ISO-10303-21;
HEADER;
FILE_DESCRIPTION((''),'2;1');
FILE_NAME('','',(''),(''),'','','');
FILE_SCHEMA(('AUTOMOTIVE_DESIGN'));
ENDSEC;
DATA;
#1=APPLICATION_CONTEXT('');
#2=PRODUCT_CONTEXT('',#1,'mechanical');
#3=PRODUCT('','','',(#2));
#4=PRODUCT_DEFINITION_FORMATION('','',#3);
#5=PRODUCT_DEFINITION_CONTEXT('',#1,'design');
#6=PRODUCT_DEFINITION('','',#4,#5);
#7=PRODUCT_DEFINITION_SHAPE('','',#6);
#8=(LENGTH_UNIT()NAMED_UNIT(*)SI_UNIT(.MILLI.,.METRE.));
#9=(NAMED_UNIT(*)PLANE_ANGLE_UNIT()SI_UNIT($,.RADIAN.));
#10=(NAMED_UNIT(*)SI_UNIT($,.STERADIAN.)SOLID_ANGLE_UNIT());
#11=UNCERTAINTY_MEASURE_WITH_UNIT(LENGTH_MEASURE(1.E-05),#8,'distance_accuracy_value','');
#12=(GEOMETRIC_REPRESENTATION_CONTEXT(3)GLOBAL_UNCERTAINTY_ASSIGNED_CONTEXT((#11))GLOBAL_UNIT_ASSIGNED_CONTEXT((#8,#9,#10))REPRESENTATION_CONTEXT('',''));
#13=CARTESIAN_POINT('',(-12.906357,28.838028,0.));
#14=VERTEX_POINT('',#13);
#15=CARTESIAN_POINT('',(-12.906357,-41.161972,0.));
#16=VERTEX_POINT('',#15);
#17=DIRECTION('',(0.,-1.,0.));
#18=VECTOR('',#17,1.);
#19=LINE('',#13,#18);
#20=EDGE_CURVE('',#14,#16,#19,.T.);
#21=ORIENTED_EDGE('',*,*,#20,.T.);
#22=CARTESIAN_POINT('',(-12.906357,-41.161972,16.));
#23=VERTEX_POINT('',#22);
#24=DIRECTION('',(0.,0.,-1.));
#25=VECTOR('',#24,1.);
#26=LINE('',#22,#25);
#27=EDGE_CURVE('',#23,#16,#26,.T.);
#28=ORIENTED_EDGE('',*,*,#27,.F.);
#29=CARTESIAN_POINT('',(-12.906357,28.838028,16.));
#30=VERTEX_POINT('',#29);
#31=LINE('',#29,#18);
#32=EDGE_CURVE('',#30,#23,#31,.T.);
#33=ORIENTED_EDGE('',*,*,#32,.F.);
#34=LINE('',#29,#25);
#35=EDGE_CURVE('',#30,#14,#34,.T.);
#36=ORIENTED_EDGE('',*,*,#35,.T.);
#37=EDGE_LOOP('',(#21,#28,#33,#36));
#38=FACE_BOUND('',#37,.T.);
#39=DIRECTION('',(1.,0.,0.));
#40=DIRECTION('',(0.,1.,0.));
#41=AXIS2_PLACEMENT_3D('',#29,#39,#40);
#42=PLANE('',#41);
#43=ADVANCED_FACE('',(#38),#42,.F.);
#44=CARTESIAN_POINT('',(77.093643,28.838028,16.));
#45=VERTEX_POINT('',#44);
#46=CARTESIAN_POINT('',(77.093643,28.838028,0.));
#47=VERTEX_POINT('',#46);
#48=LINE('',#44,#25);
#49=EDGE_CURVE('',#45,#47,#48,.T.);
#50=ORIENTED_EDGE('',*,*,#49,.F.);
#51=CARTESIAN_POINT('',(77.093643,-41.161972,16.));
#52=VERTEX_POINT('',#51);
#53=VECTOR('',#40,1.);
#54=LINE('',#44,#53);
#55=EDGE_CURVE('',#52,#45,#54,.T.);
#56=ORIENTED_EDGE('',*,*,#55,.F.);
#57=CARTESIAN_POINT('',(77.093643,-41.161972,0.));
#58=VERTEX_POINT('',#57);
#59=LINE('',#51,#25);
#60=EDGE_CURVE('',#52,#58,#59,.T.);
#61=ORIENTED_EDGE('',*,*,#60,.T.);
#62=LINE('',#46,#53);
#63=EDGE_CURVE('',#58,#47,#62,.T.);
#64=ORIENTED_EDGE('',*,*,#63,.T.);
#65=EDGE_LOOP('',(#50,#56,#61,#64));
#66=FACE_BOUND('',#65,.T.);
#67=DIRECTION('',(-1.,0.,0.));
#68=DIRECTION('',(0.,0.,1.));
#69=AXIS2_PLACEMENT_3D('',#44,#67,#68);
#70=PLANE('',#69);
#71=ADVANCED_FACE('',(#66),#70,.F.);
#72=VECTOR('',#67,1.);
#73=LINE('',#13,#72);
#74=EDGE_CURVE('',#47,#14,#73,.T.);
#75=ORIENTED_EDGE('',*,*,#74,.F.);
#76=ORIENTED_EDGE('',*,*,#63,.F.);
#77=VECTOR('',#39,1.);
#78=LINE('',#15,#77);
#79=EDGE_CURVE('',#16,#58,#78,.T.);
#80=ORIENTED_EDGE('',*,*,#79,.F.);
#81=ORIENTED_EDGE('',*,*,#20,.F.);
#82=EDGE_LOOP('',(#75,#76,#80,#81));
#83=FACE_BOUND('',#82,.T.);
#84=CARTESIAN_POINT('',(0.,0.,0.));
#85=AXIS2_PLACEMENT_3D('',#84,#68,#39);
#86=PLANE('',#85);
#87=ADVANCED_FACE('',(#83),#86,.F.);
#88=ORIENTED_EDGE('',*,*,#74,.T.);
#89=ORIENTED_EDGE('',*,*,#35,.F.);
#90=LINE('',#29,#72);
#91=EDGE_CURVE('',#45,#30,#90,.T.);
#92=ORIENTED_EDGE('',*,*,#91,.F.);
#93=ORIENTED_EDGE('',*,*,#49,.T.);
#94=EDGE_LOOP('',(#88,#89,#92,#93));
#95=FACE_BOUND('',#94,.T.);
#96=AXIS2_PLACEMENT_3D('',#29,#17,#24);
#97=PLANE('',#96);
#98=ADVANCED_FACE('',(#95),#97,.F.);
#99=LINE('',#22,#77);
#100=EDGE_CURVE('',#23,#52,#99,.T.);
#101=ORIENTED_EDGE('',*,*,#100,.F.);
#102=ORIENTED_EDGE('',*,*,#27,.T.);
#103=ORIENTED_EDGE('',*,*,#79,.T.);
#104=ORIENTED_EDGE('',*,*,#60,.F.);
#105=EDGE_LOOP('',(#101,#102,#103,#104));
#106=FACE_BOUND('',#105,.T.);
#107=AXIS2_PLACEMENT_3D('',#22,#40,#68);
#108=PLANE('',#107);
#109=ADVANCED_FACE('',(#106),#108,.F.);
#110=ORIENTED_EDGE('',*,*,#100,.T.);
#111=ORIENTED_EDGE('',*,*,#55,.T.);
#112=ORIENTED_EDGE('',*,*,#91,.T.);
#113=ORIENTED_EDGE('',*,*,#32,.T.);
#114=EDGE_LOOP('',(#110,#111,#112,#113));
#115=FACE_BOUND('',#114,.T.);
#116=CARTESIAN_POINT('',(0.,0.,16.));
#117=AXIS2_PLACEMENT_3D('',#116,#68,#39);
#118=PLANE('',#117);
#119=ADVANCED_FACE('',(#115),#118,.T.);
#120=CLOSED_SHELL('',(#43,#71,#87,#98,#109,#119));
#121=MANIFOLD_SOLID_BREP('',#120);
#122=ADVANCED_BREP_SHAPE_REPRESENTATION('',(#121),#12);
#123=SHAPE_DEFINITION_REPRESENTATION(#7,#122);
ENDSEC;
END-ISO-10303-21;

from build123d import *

# Parameters (mm, degrees)
SKETCH_1_W      = 90
SKETCH_1_H      = 70
EXTRUDE_1_DEPTH = 16


with BuildPart() as part:
    # 草圖1 → 填料-伸長1 (new body)
    with BuildSketch(Plane.XY):
        with Locations((32.093642939, -6.161971831)):
            Rectangle(SKETCH_1_W, SKETCH_1_H)
    extrude(amount=EXTRUDE_1_DEPTH)


solid = part.part
